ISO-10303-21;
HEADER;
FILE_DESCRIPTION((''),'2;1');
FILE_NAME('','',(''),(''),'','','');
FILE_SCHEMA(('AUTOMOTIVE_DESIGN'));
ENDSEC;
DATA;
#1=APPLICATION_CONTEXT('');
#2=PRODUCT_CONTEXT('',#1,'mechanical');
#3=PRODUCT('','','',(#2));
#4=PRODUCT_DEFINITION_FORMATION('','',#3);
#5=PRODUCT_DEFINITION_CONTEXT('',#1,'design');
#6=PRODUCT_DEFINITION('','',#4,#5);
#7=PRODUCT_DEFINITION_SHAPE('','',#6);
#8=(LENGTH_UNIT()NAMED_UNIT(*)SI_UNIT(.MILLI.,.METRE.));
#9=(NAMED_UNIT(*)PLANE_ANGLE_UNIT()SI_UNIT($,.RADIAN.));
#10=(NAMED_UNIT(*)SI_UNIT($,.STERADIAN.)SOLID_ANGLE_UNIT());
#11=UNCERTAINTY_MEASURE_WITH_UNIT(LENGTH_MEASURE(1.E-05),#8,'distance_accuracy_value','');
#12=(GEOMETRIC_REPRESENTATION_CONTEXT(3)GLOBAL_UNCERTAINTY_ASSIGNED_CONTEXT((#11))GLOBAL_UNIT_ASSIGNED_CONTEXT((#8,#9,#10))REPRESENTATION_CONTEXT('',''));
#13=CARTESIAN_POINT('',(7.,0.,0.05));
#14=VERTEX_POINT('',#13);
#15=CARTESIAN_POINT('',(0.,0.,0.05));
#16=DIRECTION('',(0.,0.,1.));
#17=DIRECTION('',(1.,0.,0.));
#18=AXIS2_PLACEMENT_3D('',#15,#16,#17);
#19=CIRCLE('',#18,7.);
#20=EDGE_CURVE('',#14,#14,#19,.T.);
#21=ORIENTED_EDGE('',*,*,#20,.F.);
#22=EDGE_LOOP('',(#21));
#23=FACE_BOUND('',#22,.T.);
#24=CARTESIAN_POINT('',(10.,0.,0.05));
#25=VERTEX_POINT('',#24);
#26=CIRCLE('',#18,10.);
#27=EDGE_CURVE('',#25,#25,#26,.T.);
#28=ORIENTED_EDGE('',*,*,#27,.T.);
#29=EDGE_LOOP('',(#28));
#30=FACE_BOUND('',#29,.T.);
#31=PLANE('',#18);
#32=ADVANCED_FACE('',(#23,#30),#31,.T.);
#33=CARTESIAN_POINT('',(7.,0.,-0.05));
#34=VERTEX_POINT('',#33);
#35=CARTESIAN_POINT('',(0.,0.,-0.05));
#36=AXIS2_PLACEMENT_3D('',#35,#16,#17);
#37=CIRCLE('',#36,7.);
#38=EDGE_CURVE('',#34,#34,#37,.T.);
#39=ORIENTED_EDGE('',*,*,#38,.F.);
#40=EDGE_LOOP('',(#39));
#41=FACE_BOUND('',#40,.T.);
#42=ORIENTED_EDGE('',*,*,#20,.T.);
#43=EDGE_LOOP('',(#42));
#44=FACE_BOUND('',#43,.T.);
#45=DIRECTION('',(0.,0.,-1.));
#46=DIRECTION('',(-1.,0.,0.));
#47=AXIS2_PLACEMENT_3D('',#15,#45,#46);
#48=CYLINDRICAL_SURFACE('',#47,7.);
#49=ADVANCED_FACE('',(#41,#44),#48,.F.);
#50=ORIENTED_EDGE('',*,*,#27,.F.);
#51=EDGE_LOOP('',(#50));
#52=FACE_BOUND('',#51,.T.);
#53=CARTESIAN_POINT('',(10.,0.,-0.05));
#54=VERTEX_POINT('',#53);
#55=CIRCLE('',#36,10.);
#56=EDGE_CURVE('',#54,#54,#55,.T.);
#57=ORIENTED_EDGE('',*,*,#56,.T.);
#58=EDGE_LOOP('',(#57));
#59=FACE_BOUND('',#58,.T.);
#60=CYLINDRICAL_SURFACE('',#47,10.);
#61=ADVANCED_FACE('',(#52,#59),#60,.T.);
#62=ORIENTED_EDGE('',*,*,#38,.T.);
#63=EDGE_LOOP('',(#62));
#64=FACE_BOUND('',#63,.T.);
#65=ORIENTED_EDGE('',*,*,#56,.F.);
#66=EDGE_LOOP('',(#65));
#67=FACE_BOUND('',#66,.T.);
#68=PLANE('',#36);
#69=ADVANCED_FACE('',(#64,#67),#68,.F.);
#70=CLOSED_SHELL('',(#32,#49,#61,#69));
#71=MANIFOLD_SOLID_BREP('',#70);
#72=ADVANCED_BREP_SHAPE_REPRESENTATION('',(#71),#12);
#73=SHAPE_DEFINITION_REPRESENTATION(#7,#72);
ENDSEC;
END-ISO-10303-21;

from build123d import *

# Parameters (mm, degrees)
SKETCH3_R           = 10
SKETCH3_R_2         = 7
BOSS_EXTRUDE1_DEPTH = 0.05


with BuildPart() as part:
    # Sketch3 → Boss-Extrude1 (new, symmetric)
    with BuildSketch(Plane.XY):
        Circle(SKETCH3_R)
        Circle(SKETCH3_R_2, mode=Mode.SUBTRACT)
    extrude(amount=BOSS_EXTRUDE1_DEPTH, both=True)


solid = part.part
